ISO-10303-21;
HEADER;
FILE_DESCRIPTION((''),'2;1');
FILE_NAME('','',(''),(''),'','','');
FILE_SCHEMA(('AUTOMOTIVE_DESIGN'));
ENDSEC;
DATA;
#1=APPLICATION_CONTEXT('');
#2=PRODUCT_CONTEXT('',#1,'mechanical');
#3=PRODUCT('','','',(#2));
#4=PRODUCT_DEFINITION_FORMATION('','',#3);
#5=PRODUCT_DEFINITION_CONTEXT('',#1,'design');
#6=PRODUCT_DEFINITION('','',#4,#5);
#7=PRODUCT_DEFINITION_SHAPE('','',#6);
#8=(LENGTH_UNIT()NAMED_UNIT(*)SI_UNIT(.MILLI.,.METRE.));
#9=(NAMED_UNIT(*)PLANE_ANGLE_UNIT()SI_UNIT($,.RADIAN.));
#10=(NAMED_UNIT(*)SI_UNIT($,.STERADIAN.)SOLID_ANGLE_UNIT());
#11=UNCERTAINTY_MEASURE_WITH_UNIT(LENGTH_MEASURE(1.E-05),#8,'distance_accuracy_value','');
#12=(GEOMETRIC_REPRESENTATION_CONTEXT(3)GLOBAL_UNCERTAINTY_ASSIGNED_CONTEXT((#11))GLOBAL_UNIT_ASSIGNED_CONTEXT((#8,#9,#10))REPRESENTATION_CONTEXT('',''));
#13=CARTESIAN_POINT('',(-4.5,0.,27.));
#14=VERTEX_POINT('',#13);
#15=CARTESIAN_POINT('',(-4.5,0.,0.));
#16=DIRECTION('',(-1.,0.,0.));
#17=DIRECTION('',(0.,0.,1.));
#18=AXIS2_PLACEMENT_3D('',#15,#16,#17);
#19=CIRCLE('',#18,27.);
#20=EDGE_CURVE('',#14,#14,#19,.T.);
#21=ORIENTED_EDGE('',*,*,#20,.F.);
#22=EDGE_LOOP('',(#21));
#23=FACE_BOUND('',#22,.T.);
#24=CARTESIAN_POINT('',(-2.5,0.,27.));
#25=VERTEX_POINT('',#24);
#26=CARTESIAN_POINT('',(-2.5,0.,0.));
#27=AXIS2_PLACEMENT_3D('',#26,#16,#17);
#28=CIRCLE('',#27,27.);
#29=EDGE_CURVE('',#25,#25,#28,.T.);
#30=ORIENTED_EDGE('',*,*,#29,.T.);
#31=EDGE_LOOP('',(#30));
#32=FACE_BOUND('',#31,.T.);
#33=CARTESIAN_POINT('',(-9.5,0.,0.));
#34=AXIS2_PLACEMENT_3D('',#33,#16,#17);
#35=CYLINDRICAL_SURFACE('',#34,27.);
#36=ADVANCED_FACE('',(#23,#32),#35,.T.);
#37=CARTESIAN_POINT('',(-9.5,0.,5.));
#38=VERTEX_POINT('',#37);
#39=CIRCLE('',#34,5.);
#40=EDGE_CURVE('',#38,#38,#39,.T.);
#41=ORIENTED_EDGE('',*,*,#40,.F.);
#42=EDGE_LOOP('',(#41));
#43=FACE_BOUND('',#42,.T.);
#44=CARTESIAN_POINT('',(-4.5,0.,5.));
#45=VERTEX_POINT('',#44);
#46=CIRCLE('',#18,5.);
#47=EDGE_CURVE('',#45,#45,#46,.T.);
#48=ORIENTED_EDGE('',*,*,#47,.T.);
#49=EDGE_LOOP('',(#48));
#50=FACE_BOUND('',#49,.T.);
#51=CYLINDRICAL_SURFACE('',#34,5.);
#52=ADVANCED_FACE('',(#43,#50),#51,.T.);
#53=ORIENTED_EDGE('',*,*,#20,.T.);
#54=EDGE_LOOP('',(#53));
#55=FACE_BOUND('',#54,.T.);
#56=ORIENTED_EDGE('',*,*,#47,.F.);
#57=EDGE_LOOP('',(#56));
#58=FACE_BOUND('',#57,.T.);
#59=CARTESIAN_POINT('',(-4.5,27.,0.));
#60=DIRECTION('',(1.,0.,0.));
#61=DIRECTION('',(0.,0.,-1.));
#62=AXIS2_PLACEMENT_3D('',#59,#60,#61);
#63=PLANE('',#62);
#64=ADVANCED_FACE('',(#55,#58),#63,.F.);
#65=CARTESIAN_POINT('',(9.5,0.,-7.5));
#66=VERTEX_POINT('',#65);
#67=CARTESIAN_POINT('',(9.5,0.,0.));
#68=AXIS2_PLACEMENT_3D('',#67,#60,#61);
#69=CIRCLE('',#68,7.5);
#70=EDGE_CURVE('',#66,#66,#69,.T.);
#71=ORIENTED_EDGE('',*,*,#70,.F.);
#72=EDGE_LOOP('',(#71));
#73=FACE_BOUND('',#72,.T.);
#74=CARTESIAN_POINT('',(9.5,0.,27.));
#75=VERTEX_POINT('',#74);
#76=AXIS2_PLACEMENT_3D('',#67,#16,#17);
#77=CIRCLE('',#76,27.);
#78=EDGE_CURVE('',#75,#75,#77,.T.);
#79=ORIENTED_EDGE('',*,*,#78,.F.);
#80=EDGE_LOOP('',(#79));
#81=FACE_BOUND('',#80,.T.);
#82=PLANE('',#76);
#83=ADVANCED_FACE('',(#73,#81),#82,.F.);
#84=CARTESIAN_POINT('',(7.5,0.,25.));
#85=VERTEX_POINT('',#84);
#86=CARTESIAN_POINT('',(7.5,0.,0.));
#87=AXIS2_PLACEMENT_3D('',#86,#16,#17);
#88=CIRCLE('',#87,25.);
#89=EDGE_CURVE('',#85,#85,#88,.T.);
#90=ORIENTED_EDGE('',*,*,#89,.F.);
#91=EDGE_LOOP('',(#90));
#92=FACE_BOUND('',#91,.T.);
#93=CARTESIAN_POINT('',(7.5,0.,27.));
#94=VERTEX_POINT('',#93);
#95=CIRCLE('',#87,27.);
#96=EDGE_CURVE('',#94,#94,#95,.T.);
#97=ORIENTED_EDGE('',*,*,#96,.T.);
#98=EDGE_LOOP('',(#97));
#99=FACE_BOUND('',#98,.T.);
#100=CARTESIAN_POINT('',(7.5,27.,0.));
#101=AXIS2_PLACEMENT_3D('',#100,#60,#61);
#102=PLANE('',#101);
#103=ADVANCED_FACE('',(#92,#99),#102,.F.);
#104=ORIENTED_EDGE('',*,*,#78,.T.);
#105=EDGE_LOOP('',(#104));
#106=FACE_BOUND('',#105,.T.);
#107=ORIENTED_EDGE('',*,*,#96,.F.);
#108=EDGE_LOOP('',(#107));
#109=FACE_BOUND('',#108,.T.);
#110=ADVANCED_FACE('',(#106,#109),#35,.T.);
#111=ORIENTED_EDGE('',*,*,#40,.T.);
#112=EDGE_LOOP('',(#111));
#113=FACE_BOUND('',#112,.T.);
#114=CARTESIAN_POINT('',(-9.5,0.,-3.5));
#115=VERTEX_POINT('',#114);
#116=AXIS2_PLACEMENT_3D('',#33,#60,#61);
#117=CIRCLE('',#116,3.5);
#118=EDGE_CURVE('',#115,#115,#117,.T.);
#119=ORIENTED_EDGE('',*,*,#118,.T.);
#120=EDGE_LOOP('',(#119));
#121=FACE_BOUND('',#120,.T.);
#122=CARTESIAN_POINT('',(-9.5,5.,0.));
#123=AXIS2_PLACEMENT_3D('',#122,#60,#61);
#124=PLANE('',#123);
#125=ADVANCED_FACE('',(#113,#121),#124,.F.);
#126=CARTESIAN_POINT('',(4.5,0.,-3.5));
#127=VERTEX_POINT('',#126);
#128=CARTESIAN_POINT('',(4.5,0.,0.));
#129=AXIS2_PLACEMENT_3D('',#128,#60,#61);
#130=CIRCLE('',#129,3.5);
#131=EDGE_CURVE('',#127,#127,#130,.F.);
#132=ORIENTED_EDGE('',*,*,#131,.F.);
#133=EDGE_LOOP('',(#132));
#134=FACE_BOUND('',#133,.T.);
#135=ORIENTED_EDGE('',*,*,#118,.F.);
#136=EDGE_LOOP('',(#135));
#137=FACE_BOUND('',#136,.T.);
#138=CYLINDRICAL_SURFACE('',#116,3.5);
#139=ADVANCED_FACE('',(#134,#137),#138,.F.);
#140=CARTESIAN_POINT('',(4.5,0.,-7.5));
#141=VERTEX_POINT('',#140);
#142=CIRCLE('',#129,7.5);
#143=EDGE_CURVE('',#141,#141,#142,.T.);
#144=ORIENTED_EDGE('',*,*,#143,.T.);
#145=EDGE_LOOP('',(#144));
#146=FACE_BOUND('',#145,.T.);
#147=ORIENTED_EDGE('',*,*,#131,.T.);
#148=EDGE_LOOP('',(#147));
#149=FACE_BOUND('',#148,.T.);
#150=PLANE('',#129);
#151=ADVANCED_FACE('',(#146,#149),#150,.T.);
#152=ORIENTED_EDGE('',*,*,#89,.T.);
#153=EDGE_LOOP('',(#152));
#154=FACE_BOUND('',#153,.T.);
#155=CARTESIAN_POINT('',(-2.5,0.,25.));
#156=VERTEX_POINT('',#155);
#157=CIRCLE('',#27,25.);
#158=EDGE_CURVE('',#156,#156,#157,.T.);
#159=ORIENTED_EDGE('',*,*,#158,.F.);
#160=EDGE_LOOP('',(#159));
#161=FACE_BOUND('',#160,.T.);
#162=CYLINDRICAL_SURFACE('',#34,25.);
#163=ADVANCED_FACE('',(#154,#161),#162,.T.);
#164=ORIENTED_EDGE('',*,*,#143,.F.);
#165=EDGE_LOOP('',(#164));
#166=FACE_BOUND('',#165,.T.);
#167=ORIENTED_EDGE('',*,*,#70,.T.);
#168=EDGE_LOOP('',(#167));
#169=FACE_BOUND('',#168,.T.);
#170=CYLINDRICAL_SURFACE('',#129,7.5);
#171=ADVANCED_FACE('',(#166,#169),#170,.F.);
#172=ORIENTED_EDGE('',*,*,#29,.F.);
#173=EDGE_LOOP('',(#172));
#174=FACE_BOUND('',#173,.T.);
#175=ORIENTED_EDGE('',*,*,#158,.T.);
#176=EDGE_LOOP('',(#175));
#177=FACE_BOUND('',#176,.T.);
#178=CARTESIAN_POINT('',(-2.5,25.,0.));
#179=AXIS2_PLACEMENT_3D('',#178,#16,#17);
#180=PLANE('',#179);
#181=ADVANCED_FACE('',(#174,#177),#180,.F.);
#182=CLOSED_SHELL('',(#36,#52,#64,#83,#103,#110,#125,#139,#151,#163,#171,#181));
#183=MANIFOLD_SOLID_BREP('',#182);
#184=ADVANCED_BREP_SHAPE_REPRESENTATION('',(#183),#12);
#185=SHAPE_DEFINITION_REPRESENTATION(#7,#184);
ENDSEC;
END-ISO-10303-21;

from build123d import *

# Parameters (mm, degrees)
CUT_EXTRUDE1_DEPTH      = 40.347808071
CUT_EXTRUDE1_DEPTH_BACK = 40.347808071
SKETCH2_R               = 3.5
SKETCH3_R               = 7.5
CUT_EXTRUDE2_DEPTH      = 5


with BuildPart() as part:
    # Sketch1 → Revolve1 (revolve)
    with BuildSketch(Plane.XY, mode=Mode.PRIVATE) as revolve1_sk:
        Polygon((-9.5, 0), (9.5, 0), (9.5, 27), (7.5, 27), (7.5, 25), (-2.5, 25), (-2.5, 27), (-4.5, 27), (-4.5, 5), (-9.5, 5), align=None)
    revolve(revolve1_sk.sketch.rotate(Axis((-9.5, 0, 0), (1, 0, 0)), 90), axis=Axis((-9.5, 0, 0), (1, 0, 0)))

    # Sketch2 → Cut-Extrude1 (cut, two sides: drawn at the far end of the back side and taken through both)
    with BuildSketch(Plane(origin=(0, 0, 0), x_dir=(0, 0, -1), z_dir=(1, 0, 0)).offset(-CUT_EXTRUDE1_DEPTH_BACK)):
        Circle(SKETCH2_R)
    extrude(amount=CUT_EXTRUDE1_DEPTH + CUT_EXTRUDE1_DEPTH_BACK, mode=Mode.SUBTRACT)

    # Sketch3 → Cut-Extrude2 (cut)
    with BuildSketch(Plane(origin=(9.5, 0, 0), x_dir=(0, 0, -1), z_dir=(1, 0, 0))):
        Circle(SKETCH3_R)
    extrude(amount=-CUT_EXTRUDE2_DEPTH, mode=Mode.SUBTRACT)


solid = part.part
